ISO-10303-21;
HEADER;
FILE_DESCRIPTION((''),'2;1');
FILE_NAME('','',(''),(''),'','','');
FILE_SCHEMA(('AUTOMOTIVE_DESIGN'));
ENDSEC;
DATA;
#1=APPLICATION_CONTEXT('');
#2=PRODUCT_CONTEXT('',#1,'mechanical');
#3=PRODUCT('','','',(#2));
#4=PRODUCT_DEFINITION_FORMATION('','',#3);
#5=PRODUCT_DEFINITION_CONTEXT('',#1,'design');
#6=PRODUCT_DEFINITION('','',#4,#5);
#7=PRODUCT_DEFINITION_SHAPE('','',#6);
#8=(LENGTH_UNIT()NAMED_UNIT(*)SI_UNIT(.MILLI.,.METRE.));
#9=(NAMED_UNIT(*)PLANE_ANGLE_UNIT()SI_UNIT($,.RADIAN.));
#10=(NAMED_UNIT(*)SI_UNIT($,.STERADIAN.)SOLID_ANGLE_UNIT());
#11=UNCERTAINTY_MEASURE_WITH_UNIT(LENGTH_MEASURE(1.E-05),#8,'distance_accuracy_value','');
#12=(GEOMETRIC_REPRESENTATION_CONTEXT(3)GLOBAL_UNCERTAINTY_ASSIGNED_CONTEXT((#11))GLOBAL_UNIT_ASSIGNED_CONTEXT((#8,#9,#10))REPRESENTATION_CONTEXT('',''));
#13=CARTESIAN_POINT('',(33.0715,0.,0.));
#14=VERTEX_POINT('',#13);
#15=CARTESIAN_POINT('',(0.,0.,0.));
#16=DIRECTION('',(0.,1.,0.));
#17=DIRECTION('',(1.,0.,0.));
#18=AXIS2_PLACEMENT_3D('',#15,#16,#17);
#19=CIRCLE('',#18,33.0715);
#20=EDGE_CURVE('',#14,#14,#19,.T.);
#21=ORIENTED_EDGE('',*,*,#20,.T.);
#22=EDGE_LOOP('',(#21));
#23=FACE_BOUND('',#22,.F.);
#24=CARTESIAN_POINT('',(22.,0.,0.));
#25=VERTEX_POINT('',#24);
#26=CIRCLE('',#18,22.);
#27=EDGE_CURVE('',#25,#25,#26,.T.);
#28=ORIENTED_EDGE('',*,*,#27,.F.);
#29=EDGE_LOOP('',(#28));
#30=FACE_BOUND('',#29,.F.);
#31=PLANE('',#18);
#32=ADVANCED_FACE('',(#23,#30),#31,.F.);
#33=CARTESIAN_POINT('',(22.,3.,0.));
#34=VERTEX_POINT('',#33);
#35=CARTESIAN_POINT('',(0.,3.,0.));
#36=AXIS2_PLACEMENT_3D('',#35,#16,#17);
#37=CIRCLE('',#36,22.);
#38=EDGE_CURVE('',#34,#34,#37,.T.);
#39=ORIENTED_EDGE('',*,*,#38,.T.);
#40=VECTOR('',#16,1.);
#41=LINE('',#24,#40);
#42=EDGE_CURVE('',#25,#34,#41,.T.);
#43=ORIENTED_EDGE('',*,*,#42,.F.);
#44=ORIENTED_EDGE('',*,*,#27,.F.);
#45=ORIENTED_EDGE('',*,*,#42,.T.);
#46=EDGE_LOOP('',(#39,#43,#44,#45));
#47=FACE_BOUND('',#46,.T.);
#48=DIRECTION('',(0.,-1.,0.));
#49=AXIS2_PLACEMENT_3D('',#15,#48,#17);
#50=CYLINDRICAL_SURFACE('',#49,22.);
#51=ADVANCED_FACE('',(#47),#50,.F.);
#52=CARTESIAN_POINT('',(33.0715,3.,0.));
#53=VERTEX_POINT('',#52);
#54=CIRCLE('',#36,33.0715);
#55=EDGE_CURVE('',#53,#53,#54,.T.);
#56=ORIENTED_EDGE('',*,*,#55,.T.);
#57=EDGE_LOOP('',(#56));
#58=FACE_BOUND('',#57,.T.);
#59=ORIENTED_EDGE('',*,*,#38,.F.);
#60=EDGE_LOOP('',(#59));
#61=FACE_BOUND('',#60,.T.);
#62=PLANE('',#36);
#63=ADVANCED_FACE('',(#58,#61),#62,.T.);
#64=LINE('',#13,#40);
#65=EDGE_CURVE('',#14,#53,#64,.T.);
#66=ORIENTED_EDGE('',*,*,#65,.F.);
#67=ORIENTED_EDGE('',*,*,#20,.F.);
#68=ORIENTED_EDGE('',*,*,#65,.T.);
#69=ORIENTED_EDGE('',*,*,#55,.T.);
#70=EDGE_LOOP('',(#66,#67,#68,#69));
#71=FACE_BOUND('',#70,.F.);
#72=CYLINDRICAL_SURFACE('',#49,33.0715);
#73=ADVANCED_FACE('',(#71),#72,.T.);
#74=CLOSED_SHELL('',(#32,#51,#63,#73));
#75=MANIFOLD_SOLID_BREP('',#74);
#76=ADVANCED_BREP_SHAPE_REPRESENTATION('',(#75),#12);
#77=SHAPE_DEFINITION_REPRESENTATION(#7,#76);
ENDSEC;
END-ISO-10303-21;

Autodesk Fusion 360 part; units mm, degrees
sketch "Sketch1" plane through (0, 0, 0) normal (0, 1, 0) x (1, 0, 0)
  circle A0 centre (0, 0) radius 33.0715
  circle A1 centre (0, 0) radius 22
  dimension "d1" = 66.143
  dimension "d2" = 44
extrude "Extrude1" add sketch "Sketch1" along normal blind 3
